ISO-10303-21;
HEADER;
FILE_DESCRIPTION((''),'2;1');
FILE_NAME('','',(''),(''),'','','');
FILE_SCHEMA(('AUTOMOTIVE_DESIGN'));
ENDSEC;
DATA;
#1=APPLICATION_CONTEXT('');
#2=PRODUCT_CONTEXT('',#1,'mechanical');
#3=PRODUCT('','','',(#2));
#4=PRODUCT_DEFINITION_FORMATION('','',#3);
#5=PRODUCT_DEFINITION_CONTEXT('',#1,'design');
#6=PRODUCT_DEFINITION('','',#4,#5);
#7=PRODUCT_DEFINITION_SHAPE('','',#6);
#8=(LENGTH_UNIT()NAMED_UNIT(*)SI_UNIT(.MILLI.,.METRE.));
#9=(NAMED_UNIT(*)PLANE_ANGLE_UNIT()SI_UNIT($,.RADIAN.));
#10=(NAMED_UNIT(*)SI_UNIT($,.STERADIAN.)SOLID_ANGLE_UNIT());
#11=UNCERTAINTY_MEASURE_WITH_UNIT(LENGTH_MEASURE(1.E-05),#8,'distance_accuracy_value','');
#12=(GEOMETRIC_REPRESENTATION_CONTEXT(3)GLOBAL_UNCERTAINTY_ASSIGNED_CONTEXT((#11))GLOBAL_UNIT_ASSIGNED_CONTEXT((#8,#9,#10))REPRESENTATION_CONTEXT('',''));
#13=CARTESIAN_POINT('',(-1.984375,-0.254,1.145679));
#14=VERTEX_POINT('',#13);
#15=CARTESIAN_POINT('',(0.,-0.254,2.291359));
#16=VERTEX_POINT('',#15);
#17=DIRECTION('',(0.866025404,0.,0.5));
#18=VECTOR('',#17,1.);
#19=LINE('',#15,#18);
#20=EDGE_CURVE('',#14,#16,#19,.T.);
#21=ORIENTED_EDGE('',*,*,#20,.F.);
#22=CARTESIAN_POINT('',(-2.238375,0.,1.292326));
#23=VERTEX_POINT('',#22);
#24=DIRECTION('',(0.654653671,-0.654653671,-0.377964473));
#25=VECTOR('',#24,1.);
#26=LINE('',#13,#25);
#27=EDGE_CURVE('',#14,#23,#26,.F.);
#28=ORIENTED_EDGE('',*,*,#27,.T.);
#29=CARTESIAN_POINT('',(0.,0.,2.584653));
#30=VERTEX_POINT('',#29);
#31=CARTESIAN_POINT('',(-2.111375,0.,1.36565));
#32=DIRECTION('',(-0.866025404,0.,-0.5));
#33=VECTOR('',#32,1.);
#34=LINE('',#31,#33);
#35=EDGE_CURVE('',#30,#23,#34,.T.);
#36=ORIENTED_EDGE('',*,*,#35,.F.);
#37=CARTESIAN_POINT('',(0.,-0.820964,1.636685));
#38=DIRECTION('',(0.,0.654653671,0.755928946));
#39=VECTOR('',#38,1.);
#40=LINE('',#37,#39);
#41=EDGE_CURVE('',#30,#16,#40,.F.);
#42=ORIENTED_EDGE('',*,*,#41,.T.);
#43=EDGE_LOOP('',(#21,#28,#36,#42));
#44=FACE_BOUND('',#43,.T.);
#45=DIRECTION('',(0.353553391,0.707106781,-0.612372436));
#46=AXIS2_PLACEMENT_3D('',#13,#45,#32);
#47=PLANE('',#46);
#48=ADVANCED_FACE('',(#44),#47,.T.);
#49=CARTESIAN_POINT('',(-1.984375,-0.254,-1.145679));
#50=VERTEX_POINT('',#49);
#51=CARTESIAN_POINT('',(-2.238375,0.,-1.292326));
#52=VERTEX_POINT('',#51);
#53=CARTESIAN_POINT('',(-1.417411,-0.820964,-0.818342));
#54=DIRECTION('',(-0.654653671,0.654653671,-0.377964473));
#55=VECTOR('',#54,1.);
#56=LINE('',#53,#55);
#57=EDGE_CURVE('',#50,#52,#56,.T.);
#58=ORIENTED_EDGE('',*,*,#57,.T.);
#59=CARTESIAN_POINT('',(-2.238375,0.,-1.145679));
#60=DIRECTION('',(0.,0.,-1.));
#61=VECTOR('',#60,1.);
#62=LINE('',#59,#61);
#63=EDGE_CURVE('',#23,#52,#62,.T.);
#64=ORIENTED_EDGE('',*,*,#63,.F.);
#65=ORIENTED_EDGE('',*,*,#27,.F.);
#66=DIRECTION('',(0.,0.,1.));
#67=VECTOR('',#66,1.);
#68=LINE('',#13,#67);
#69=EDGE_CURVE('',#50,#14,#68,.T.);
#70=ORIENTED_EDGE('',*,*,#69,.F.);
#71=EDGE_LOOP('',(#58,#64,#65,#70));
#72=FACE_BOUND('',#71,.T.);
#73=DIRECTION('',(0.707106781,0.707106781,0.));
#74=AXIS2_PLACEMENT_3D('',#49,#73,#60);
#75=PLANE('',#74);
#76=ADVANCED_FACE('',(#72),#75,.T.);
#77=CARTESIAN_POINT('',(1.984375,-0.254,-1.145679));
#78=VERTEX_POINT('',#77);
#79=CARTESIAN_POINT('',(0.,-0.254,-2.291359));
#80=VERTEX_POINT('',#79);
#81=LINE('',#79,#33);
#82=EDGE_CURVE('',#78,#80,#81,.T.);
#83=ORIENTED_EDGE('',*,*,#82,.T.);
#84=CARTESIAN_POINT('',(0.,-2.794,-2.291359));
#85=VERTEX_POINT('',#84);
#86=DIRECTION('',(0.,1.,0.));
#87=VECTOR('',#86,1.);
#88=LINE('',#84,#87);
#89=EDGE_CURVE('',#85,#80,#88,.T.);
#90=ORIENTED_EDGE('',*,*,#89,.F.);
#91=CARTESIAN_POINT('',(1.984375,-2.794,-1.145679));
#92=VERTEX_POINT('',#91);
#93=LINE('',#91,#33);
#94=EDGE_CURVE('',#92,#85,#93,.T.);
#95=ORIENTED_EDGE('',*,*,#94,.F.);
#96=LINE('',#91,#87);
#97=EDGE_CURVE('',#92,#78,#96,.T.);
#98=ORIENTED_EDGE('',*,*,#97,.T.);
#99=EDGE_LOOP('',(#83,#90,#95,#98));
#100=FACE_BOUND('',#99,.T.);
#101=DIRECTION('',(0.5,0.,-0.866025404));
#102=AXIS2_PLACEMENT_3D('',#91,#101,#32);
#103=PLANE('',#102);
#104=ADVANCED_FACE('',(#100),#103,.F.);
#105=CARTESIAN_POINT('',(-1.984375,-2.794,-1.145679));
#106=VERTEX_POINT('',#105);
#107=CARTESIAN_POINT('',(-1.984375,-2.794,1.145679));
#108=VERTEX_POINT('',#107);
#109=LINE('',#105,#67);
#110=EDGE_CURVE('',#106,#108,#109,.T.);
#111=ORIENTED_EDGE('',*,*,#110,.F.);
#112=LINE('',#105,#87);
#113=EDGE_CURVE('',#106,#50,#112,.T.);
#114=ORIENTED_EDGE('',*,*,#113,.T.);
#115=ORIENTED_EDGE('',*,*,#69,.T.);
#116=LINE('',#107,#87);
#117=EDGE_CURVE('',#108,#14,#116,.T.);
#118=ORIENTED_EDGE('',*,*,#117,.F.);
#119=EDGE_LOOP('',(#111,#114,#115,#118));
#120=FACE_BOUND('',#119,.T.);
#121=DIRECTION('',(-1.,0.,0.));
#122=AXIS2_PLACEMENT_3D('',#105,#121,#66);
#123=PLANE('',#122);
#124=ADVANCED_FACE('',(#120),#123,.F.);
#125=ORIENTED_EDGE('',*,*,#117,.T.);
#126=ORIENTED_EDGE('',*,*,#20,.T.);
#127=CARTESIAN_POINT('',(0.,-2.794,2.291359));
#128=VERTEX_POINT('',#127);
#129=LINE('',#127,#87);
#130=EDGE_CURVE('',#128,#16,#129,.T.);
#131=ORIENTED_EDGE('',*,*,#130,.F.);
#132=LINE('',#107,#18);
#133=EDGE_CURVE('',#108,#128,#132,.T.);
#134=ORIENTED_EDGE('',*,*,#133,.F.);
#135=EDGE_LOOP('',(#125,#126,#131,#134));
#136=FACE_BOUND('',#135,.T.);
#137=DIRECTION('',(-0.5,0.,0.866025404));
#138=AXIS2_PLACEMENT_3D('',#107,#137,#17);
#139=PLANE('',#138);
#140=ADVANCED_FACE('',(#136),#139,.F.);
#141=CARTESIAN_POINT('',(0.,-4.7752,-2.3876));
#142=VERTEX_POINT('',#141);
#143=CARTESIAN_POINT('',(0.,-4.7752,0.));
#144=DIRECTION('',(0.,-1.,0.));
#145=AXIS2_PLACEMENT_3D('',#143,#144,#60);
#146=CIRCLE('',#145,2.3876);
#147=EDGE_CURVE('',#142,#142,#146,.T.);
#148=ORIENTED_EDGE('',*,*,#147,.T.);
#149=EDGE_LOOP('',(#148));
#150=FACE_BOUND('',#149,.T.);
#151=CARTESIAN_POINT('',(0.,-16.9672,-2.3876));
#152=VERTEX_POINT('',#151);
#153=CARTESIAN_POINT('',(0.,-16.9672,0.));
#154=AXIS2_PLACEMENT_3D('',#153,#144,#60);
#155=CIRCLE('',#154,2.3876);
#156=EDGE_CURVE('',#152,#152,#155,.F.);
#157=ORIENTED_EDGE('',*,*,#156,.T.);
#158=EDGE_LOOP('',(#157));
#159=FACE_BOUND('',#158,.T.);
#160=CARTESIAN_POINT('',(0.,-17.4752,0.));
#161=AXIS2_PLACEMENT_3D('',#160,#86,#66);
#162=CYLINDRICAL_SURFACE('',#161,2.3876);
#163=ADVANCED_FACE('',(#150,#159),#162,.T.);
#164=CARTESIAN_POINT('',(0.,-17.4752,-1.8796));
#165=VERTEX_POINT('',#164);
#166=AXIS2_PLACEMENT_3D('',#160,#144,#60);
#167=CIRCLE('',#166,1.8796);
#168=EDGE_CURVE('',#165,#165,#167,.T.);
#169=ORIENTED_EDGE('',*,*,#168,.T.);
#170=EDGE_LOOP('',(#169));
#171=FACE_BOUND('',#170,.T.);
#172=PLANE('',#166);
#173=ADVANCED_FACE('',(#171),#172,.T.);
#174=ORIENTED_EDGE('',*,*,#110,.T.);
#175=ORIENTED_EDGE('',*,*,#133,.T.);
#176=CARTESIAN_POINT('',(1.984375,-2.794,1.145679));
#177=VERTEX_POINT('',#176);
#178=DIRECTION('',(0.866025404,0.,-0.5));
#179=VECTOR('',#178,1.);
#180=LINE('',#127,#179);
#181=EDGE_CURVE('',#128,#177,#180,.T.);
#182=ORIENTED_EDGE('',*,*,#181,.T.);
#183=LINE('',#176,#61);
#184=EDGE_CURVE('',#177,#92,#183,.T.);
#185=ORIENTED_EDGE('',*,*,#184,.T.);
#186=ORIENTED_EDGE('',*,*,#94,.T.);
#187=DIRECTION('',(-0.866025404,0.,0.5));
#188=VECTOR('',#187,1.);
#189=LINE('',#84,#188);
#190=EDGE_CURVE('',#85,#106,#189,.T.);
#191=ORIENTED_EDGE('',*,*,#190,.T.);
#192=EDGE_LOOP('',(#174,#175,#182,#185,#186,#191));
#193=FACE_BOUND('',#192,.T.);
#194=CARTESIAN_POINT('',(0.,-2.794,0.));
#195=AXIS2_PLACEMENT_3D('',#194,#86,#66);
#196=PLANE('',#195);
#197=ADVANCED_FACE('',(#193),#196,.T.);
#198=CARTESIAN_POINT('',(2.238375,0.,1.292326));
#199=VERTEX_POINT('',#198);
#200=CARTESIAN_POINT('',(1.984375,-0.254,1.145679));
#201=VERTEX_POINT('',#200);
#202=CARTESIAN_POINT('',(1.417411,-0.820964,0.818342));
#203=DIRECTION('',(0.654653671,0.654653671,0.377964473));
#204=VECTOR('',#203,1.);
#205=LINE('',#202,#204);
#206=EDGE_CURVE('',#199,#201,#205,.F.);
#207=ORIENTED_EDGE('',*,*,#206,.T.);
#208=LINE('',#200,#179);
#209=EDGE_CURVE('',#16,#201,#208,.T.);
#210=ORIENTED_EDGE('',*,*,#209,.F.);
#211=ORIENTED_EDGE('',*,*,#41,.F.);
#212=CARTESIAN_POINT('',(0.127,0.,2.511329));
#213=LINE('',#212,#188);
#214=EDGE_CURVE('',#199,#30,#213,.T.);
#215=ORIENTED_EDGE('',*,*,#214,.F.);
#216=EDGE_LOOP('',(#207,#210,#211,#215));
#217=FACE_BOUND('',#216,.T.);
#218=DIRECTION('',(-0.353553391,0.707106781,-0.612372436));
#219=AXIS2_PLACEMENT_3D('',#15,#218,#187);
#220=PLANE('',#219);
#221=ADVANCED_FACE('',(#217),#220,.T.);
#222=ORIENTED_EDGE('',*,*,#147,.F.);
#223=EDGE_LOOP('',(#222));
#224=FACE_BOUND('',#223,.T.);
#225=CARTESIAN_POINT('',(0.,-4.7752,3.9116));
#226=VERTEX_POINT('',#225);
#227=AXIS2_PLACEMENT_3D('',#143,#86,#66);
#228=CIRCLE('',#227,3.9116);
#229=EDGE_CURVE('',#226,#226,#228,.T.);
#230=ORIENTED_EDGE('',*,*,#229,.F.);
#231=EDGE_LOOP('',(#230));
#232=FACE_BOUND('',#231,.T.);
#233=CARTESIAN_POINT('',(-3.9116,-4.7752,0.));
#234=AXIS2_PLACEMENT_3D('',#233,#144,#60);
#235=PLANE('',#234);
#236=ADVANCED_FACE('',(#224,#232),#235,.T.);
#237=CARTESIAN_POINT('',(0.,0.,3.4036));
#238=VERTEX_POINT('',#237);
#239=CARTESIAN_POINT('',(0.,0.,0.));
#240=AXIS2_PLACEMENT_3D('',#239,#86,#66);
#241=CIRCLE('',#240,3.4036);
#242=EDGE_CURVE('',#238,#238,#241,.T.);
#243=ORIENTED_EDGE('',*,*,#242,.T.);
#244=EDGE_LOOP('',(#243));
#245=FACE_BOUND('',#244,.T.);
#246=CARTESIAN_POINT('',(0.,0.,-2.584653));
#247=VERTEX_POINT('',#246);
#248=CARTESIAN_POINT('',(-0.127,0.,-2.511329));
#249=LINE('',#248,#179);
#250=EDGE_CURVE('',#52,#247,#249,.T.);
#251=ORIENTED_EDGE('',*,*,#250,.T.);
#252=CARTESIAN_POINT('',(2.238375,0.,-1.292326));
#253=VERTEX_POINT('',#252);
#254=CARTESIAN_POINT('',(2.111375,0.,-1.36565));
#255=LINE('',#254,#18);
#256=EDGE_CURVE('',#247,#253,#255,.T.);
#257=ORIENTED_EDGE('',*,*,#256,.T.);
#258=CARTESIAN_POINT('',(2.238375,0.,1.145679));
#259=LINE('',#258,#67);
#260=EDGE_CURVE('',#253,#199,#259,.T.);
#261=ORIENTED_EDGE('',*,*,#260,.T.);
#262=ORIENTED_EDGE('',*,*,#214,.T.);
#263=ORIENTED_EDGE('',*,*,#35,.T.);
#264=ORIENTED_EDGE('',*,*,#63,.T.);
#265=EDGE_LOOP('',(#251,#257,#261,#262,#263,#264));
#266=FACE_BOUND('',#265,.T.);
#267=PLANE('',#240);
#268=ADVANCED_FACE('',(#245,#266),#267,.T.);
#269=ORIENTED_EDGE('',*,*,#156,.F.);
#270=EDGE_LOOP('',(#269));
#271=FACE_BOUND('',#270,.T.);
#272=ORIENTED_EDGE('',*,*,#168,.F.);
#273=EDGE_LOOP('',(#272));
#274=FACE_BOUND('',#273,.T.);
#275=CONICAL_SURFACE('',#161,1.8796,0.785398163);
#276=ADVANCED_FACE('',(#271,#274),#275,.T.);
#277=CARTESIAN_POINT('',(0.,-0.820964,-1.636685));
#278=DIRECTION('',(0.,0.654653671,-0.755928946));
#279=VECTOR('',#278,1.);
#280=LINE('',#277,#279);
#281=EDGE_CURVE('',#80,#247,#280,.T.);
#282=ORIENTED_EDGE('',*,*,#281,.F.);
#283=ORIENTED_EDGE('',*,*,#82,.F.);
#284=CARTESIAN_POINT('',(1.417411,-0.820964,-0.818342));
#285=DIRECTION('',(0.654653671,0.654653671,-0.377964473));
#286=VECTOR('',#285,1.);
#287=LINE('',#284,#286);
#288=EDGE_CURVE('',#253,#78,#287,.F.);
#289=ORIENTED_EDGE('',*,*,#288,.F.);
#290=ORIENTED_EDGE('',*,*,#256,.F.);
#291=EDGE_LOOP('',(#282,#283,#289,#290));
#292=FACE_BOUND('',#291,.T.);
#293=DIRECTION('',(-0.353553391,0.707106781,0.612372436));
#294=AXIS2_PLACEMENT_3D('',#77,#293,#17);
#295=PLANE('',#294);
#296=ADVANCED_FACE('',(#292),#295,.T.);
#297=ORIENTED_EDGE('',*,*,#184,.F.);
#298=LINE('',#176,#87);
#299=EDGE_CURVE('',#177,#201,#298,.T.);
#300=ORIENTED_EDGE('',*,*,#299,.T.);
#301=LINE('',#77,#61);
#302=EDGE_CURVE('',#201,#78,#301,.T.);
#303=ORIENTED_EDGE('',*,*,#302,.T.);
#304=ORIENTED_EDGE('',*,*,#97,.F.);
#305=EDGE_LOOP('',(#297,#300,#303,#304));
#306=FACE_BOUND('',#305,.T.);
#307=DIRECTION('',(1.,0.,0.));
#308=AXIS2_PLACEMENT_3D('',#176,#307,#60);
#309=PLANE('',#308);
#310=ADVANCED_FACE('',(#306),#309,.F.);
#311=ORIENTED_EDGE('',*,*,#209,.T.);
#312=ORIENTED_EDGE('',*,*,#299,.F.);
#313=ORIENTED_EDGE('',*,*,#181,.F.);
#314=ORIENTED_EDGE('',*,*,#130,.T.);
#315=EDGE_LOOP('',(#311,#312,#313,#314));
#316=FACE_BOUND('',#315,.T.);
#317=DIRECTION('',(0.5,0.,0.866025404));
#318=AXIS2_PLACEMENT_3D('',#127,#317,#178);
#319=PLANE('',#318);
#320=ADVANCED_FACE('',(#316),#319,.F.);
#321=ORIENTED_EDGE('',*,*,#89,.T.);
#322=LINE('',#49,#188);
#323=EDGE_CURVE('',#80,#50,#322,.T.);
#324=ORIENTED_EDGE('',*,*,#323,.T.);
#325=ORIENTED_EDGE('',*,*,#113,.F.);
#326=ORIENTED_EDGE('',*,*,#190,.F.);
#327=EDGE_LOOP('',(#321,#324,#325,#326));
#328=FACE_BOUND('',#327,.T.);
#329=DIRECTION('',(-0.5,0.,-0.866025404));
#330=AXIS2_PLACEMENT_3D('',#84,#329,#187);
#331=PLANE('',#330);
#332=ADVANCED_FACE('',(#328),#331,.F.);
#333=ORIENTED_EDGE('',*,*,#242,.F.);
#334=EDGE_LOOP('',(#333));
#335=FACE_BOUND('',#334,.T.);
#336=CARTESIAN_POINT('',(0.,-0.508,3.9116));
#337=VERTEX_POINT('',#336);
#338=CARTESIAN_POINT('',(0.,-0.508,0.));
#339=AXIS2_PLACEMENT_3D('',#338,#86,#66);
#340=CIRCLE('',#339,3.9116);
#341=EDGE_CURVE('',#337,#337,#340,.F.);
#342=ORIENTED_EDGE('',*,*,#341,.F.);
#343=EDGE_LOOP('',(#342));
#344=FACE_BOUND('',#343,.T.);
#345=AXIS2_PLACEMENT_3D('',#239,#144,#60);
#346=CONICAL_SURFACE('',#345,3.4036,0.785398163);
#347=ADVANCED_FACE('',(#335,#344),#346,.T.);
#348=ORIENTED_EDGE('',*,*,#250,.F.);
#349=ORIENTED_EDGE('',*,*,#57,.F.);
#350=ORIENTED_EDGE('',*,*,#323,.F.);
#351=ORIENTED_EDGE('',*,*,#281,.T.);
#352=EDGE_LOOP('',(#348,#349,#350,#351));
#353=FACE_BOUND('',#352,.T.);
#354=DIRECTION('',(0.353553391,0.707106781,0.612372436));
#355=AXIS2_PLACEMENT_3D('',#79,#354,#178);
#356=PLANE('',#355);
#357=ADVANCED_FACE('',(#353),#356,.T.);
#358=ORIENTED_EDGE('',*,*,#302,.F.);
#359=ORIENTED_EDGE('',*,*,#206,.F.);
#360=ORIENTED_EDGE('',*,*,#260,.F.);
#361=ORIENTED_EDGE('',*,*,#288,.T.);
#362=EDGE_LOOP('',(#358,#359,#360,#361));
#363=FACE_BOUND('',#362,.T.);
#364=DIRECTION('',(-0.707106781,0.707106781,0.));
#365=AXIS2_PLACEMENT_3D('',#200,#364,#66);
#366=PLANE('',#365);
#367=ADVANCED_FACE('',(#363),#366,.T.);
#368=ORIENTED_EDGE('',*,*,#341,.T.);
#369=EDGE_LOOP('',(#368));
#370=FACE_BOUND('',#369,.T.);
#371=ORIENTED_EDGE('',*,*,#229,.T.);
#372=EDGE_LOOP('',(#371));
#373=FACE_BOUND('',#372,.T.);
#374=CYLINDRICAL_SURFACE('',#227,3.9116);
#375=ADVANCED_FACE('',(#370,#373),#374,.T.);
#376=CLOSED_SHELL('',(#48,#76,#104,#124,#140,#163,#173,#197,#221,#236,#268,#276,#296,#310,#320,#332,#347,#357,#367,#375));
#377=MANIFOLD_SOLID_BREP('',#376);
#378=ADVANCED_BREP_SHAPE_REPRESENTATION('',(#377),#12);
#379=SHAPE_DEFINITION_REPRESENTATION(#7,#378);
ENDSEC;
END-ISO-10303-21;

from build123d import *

# Parameters (mm, degrees)
SKETCH1_W           = 3.9116
SKETCH1_H           = 4.7752
SKETCH2_R           = 2.3876
BOSS_EXTRUDE1_DEPTH = 12.7
CUT_EXTRUDE1_DEPTH  = 2.794
CHAMFER1_SIZE       = 0.508
CHAMFER2_SIZE       = 0.254


with BuildPart() as part:
    # Sketch1 → Revolve1 (revolve)
    with BuildSketch(Plane.XY, mode=Mode.PRIVATE) as revolve1_sk:
        with Locations((-1.9558, -2.3876)):
            Rectangle(SKETCH1_W, SKETCH1_H)
    revolve(revolve1_sk.sketch.rotate(Axis((0, -4.7752, 0), (0, 1, 0)), 90), axis=Axis((0, -4.7752, 0), (0, 1, 0)))

    # Sketch2 → Boss-Extrude1 (add)
    with BuildSketch(Plane.XZ.offset(4.7752)):
        with Locations(Location((0, 0, 0), (0, 0, 270))):
            Circle(SKETCH2_R)
    extrude(amount=BOSS_EXTRUDE1_DEPTH)

    # Sketch3 → Cut-Extrude1 (cut)
    with BuildSketch(Plane(origin=(0, 0, 0), x_dir=(-1, 0, 0), z_dir=(0, 1, 0))):
        Polygon((1.984374999, -1.14567944), (1.984374999, 1.14567944), (0, 2.29135888), (-1.984374999, 1.14567944), (-1.984374999, -1.14567944), (0, -2.29135888), align=None)
    extrude(amount=-CUT_EXTRUDE1_DEPTH, mode=Mode.SUBTRACT)

    # Chamfer1
    chamfer1_edges = [part.edges().sort_by_distance(p)[0] for p in [
        (0, 0, -3.9116),
        (0, -17.4752, 2.3876),
    ]]
    chamfer(chamfer1_edges, length=CHAMFER1_SIZE)

    # Chamfer2
    chamfer2_edges = [part.edges().sort_by_distance(p)[0] for p in [
        (-0.9921875, 0, -1.71851916),
        (-1.984374999, 0, 0),
        (-0.9921875, 0, 1.71851916),
        (0.9921875, 0, 1.71851916),
        (1.984374999, 0, 0),
        (0.9921875, 0, -1.71851916),
    ]]
    chamfer(chamfer2_edges, length=CHAMFER2_SIZE)


solid = part.part
